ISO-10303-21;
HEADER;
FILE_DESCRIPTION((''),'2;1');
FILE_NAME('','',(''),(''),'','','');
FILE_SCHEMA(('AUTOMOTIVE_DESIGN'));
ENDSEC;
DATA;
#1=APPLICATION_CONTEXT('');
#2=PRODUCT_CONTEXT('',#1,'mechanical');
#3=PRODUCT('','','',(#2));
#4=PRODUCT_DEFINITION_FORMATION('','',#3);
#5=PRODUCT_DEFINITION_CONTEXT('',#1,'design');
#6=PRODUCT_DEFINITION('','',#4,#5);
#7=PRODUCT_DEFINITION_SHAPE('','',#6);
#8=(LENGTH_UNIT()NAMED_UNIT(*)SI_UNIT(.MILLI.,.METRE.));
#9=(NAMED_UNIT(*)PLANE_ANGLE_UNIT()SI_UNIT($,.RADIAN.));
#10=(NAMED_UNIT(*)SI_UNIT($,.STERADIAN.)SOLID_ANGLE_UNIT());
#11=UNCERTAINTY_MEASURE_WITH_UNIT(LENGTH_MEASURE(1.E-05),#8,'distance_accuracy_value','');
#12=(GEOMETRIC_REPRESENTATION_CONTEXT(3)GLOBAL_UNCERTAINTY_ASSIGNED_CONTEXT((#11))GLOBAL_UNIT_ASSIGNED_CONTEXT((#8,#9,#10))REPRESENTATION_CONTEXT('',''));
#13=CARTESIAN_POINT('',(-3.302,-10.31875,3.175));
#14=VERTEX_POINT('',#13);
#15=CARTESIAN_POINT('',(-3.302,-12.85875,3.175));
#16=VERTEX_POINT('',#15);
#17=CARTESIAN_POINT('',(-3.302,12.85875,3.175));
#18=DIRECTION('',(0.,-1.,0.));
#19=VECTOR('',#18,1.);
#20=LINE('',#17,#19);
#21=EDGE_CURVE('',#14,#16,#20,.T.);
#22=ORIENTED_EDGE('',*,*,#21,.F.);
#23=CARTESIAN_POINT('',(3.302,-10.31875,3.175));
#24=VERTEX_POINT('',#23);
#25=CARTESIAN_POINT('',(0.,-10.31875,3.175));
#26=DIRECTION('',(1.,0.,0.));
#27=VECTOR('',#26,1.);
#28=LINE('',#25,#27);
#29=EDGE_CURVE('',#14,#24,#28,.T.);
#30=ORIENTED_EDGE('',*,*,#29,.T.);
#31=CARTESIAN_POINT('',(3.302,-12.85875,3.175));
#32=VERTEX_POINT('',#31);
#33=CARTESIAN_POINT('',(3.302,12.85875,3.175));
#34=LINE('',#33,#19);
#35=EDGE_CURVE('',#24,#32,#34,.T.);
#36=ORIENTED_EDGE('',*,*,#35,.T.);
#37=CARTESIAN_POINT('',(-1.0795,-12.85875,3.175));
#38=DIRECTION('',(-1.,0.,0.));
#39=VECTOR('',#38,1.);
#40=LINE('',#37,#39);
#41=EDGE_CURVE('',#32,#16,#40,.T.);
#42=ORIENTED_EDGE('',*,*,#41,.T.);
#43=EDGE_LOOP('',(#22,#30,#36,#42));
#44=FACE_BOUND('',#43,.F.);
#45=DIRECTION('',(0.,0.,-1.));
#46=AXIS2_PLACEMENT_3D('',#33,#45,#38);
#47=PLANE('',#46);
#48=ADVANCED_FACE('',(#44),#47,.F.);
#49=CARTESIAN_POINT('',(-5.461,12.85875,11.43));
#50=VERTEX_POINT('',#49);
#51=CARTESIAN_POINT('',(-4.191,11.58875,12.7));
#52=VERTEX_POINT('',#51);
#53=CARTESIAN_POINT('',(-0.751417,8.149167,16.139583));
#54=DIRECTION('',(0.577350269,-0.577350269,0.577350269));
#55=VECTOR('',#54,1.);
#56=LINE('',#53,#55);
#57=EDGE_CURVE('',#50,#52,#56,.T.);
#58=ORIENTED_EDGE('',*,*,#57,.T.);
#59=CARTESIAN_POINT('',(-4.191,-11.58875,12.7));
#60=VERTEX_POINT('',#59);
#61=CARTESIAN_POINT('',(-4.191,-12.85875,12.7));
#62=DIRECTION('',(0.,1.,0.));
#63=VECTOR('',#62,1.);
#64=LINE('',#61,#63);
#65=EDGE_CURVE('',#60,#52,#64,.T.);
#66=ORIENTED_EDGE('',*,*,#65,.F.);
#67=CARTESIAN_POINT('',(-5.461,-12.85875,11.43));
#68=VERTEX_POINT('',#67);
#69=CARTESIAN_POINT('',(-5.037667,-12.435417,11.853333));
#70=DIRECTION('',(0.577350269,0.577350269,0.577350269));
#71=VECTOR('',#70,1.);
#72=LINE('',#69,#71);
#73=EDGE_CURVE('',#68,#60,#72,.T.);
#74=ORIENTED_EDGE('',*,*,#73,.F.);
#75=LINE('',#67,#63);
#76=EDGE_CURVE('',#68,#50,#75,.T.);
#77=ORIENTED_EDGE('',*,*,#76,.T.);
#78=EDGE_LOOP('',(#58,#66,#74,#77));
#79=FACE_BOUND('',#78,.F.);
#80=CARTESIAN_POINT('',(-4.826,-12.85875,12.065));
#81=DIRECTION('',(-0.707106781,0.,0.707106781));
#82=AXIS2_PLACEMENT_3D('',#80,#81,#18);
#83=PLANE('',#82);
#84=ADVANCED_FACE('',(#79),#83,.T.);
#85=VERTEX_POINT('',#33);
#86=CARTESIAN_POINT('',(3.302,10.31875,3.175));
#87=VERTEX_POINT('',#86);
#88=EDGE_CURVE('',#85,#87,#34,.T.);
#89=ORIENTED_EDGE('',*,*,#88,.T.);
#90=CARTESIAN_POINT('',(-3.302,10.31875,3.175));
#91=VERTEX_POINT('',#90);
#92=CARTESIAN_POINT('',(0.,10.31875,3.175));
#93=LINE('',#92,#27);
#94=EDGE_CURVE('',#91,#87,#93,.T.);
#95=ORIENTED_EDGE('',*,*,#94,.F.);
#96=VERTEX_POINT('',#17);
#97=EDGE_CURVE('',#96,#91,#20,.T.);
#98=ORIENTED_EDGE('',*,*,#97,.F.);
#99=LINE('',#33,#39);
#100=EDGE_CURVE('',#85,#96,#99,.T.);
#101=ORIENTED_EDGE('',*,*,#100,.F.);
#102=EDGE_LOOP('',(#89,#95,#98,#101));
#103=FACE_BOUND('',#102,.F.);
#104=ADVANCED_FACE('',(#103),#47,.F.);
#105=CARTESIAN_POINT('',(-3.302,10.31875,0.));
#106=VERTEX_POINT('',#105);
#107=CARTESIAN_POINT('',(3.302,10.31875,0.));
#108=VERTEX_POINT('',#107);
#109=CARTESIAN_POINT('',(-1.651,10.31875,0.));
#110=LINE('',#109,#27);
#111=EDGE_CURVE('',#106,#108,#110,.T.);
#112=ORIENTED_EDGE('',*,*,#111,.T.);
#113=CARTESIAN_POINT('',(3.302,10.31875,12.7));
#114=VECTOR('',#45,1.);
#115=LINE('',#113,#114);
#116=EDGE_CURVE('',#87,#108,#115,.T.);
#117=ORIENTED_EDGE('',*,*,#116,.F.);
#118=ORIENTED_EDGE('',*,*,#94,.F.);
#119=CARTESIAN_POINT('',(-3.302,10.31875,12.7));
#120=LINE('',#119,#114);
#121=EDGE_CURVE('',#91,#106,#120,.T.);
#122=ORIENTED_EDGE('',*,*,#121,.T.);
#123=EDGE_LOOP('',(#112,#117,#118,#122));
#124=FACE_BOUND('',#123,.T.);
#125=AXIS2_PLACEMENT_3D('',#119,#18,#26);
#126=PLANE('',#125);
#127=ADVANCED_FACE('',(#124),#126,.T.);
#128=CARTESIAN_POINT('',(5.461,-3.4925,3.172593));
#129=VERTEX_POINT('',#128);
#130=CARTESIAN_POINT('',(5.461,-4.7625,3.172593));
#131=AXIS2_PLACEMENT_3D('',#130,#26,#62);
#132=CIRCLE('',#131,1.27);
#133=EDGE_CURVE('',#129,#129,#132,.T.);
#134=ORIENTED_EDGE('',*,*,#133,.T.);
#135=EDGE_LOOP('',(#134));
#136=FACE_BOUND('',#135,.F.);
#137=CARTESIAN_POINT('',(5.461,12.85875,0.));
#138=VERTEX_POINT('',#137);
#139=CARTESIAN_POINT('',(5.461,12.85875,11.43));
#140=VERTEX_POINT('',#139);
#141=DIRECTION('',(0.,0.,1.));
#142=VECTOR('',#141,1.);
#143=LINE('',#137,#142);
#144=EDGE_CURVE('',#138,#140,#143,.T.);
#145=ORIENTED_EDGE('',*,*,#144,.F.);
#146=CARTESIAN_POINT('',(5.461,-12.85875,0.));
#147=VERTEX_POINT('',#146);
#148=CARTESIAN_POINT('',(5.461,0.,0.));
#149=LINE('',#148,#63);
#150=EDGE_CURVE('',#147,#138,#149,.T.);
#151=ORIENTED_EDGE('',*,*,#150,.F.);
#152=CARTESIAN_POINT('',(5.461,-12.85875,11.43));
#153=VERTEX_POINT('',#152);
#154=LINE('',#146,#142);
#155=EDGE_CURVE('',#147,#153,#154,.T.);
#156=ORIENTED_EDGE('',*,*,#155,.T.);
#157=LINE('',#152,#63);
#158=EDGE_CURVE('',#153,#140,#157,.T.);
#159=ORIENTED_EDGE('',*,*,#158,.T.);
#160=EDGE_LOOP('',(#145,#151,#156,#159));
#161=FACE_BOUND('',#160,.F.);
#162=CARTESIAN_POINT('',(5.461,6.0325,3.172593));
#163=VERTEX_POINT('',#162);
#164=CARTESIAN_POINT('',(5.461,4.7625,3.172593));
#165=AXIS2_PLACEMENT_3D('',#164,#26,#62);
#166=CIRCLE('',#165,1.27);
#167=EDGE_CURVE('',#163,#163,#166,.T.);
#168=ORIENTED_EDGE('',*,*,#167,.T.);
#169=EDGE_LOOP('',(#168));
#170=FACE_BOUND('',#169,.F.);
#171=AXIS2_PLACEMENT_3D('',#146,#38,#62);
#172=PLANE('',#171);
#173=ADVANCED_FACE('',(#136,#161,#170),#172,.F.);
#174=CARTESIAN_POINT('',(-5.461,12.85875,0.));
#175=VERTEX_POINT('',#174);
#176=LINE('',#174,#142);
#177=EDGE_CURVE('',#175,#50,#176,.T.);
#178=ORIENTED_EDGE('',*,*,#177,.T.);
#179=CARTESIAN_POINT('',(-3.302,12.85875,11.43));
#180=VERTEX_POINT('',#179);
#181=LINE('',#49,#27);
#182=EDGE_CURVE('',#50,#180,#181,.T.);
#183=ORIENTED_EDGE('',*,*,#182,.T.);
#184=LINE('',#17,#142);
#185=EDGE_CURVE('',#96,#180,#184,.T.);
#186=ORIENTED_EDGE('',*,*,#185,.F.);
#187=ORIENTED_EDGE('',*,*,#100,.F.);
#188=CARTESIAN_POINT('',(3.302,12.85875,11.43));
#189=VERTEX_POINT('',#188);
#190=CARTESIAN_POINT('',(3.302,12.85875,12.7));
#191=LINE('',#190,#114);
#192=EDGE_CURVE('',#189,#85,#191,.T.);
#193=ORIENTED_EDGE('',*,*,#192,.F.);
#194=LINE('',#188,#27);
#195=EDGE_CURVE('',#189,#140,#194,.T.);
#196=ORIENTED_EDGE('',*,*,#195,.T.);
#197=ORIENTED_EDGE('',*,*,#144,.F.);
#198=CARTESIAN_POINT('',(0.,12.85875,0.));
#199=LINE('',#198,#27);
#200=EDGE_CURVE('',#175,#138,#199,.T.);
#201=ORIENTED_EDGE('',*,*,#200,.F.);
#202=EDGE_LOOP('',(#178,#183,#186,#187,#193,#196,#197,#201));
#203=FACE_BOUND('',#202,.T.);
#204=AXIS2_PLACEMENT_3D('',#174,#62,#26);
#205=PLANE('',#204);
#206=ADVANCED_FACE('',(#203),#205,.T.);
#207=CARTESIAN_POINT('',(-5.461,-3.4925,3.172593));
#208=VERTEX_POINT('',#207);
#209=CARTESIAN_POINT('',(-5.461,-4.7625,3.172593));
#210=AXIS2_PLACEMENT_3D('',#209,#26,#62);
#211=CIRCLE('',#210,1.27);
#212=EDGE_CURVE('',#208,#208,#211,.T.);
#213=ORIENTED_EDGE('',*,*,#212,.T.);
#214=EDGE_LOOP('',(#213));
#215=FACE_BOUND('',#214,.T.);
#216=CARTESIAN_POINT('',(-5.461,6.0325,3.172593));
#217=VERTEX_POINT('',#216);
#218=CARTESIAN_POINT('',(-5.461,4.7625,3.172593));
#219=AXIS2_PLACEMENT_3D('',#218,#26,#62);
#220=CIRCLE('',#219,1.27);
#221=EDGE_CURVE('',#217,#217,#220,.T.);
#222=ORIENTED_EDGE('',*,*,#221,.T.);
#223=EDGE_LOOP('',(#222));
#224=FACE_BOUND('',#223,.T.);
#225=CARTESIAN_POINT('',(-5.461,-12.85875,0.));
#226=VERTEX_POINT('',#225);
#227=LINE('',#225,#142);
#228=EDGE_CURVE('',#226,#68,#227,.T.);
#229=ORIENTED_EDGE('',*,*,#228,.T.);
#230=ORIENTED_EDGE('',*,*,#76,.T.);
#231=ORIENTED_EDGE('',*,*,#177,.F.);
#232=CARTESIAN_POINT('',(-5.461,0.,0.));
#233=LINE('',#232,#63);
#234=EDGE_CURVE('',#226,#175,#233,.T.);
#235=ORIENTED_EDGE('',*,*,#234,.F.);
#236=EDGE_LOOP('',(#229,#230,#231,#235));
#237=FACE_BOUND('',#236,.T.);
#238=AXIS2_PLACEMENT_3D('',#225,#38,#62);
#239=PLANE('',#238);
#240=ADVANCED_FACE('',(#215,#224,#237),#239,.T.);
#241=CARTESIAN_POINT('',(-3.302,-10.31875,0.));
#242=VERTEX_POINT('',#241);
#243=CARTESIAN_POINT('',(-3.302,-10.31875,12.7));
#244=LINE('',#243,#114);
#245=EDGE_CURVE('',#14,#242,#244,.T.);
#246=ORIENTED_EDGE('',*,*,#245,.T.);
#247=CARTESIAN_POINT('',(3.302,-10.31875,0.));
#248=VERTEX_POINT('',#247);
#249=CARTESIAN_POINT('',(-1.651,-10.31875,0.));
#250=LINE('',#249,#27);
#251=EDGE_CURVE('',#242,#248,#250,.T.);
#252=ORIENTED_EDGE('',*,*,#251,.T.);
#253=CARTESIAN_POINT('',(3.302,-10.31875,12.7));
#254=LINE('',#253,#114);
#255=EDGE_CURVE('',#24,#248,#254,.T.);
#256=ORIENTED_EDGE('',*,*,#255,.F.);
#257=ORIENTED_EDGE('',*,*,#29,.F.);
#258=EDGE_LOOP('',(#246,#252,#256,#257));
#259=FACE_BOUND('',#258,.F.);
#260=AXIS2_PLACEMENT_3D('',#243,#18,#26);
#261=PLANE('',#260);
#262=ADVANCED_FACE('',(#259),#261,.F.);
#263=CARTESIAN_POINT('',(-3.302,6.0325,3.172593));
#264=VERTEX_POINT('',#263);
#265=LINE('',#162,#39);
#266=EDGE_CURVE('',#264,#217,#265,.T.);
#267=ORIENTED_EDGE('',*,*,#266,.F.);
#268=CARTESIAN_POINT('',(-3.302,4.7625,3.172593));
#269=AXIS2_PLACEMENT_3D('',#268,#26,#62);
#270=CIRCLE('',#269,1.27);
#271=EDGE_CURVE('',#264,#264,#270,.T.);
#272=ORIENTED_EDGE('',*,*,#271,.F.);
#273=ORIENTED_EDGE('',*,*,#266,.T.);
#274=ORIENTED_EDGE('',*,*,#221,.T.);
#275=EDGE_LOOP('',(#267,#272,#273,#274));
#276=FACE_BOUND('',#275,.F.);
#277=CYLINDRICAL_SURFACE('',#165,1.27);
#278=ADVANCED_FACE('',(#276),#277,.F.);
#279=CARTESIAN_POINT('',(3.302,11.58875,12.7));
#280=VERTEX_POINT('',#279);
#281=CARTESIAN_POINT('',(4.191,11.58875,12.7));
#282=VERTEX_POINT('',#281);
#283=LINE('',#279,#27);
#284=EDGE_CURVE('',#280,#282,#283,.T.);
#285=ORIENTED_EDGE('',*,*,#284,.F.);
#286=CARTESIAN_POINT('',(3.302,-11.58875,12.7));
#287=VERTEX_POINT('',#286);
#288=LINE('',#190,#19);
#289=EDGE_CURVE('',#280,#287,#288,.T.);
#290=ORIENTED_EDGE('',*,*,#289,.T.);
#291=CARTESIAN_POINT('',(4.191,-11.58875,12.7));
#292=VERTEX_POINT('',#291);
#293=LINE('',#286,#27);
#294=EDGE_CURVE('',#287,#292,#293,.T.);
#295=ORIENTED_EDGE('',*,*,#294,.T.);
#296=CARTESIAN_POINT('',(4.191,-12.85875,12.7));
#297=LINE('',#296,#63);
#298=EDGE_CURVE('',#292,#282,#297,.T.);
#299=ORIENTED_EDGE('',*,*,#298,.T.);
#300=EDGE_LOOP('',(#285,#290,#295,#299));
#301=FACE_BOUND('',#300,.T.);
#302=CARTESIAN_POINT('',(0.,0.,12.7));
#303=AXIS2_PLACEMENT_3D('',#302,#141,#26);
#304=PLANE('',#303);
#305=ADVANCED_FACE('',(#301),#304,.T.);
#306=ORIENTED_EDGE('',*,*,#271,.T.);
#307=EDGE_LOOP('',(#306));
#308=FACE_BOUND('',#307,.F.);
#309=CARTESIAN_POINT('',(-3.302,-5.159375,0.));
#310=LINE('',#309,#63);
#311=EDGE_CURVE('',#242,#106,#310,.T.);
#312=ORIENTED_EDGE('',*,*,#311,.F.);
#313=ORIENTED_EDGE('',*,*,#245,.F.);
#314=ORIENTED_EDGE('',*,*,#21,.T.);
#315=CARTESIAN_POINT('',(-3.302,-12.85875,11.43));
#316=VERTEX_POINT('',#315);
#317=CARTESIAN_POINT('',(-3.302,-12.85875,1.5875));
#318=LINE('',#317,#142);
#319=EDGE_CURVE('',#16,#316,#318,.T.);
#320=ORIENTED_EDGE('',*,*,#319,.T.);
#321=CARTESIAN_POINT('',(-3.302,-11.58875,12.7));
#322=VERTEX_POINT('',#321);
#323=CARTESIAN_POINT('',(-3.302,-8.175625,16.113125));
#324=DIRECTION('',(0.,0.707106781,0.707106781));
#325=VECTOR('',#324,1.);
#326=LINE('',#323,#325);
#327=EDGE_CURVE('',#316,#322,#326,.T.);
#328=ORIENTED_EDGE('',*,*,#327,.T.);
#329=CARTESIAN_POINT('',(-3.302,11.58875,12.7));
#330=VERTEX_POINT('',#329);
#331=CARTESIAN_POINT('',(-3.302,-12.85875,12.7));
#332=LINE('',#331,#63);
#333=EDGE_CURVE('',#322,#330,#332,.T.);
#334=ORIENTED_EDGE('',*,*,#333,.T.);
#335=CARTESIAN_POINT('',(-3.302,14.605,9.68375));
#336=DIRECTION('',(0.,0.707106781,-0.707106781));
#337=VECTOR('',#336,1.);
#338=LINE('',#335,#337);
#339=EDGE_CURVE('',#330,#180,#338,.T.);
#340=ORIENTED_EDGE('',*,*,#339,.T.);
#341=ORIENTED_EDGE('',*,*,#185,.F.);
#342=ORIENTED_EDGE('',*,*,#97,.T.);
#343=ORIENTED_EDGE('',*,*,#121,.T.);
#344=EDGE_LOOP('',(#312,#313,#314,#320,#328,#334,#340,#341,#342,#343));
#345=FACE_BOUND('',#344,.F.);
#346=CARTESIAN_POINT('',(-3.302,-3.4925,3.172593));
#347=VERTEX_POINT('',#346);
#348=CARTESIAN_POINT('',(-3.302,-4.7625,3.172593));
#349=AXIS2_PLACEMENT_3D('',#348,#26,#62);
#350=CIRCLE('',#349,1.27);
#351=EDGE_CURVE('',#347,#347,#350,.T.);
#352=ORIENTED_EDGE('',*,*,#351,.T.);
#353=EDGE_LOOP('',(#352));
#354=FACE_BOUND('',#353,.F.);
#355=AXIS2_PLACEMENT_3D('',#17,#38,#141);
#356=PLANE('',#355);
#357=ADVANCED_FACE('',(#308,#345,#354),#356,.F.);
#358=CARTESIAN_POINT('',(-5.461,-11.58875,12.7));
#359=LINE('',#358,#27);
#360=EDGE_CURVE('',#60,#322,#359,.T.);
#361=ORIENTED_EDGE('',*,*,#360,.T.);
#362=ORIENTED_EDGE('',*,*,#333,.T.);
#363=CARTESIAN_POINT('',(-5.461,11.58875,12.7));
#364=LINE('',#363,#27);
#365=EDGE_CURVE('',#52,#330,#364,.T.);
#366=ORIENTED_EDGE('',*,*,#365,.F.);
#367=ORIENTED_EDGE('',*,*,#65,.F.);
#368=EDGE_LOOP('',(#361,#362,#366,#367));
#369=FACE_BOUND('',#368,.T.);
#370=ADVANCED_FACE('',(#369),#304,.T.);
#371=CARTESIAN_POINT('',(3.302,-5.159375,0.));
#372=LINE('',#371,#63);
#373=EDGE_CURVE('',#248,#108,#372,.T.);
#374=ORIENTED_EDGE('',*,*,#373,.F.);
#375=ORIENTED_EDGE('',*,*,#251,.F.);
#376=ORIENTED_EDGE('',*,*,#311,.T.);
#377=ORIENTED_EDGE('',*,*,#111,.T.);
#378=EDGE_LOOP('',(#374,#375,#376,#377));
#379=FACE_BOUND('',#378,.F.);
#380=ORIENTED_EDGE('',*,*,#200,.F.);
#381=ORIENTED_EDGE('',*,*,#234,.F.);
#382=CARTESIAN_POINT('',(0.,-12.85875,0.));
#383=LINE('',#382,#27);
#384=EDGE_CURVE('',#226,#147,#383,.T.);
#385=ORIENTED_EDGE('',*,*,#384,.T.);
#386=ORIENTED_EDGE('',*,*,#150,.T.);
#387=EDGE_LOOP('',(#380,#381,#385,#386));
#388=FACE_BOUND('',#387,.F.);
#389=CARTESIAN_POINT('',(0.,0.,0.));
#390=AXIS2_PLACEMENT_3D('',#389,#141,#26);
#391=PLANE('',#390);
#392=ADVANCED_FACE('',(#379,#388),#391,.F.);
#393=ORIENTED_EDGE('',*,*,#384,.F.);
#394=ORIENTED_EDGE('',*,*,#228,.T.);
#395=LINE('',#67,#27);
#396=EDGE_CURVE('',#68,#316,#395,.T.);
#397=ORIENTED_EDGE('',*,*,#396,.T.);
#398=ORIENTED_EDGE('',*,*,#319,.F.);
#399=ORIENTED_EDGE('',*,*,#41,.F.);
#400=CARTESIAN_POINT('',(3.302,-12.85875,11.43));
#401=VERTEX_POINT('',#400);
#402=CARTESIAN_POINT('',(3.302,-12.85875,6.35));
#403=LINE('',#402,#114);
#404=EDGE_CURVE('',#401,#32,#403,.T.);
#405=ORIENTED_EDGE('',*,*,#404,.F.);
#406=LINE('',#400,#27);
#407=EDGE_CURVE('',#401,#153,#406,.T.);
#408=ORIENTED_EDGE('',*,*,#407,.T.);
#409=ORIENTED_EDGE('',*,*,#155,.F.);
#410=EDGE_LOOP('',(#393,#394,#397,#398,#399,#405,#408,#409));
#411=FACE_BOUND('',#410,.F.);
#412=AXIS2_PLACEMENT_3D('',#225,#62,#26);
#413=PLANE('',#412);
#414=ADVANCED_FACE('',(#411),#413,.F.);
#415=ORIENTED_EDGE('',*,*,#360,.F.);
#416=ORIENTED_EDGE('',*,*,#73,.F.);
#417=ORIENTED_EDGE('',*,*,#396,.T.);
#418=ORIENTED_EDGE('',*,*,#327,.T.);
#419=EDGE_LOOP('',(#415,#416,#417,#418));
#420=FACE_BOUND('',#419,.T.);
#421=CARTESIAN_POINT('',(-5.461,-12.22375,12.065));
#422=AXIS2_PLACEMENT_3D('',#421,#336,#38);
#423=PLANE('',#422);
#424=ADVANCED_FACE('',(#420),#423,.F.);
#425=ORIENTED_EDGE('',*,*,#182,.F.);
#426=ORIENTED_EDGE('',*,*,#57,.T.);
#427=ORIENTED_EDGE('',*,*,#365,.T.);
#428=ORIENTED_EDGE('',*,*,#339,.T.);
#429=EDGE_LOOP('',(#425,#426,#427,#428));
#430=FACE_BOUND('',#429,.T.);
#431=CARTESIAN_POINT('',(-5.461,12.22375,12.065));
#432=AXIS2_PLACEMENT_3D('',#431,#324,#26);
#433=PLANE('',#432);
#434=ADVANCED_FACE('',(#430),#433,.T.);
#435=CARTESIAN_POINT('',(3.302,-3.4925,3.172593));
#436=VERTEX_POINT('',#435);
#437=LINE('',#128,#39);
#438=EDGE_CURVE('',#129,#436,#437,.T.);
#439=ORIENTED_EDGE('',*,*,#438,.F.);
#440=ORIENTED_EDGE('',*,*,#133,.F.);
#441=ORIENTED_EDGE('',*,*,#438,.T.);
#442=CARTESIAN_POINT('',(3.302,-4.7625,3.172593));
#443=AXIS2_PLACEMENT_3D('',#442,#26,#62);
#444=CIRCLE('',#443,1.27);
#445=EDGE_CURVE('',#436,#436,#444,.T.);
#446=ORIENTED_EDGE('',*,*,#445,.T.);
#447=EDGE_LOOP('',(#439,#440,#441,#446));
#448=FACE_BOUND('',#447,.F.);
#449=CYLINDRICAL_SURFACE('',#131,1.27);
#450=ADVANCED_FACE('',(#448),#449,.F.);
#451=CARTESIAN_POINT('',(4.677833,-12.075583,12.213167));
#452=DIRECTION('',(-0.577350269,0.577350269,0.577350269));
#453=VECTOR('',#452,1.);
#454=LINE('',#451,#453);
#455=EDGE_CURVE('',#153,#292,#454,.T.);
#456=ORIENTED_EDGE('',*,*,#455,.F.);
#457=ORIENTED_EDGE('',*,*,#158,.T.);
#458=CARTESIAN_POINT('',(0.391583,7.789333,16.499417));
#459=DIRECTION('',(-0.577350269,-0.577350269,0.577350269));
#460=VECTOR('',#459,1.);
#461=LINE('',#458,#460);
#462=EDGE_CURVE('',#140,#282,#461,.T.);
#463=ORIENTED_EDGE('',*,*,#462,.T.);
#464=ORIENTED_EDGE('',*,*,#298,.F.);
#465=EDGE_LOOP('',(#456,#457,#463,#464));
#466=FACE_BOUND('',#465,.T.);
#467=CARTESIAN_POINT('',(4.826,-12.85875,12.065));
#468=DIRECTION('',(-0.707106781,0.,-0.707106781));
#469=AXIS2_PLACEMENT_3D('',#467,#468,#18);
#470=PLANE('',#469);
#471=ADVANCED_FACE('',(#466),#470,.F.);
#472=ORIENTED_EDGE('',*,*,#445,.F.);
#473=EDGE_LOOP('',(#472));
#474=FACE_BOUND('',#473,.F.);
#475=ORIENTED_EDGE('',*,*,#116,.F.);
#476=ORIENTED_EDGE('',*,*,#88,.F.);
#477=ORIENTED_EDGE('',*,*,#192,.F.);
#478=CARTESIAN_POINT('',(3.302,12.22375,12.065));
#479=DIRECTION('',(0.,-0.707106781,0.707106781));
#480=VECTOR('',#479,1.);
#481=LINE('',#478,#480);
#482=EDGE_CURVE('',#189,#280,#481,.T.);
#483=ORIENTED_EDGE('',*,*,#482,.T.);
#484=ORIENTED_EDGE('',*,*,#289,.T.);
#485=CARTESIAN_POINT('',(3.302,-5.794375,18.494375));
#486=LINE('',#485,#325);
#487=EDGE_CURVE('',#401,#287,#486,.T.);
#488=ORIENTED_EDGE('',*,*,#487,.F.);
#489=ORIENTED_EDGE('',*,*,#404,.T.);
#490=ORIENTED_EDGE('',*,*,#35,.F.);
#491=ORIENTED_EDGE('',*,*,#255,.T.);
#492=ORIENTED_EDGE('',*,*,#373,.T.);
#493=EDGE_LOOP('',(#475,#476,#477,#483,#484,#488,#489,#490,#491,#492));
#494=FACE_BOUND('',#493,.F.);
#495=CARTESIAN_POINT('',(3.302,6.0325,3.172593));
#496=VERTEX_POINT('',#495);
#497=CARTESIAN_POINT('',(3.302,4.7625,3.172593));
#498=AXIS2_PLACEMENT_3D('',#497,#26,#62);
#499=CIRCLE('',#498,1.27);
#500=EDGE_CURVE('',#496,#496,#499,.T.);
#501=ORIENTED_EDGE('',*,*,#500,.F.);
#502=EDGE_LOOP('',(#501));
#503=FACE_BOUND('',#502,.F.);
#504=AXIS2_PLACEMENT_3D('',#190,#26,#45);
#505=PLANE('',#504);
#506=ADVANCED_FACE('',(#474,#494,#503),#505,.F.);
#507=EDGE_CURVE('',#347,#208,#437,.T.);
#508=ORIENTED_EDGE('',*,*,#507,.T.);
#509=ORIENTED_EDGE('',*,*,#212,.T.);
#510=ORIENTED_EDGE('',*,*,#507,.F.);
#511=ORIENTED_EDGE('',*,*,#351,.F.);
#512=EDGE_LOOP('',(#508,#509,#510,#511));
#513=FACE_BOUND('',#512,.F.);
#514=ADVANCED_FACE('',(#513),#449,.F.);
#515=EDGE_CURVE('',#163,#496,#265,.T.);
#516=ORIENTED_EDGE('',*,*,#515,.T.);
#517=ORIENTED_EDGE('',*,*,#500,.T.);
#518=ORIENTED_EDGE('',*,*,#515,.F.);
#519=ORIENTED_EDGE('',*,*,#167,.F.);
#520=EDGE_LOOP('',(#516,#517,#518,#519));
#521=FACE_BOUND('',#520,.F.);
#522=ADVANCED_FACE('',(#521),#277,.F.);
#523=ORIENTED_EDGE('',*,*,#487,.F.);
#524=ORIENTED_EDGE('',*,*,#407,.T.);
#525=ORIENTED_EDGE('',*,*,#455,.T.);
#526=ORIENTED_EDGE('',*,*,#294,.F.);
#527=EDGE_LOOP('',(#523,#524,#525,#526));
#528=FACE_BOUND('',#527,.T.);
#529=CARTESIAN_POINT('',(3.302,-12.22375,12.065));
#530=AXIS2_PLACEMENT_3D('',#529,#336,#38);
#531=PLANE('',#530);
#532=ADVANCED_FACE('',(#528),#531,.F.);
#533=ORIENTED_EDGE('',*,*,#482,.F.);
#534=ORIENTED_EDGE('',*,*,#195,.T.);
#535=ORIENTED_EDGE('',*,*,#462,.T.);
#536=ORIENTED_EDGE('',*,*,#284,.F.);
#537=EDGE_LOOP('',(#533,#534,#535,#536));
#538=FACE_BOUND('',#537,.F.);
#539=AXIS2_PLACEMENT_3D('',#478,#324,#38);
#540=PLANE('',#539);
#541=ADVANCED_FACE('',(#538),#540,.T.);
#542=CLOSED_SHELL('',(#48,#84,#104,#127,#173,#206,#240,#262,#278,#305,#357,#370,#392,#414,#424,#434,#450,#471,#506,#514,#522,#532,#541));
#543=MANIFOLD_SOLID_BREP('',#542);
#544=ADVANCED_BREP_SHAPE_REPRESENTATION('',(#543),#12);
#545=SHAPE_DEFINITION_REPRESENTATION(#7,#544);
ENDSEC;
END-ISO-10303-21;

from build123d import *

# Parameters (mm, degrees)
F0_W     = 10.922
F0_H     = 25.7175
F1_DEPTH = 12.7
F2_W     = 6.604
F2_H     = 20.6375
F3_DEPTH = 25.4
F5_DEPTH = 32.18438
F6_R     = 1.27
F7_DEPTH = 25.4
F8_SIZE  = 1.27


with BuildPart() as f1:
    # F0 (on Top) → F1 (new body)
    with BuildSketch(Plane.XY):
        Rectangle(F0_W, F0_H)
    extrude(amount=F1_DEPTH)

    # F2 (on face) → F3 (cut)
    with BuildSketch(Plane.XY.offset(12.7)):
        Rectangle(F2_W, F2_H)
    extrude(amount=-F3_DEPTH, mode=Mode.SUBTRACT)

    # F4 (on face) → F5 (cut)
    with BuildSketch(Plane(origin=(0, 12.85875, 0), x_dir=(-1, 0, 0), z_dir=(0, 1, 0))):
        Polygon((0, 12.7), (-3.302, 12.7), (-3.302, 3.175), (3.302, 3.175), (3.302, 12.7), align=None)
    extrude(amount=-F5_DEPTH, mode=Mode.SUBTRACT)

    # F6 (on face) → F7 (cut)
    with BuildSketch(Plane.YZ.offset(5.461)):
        with Locations((-4.7625, 3.172593)):
            Circle(F6_R)
        with Locations((4.7625, 3.172593)):
            Circle(F6_R)
    extrude(amount=-F7_DEPTH, mode=Mode.SUBTRACT)

    # F8
    f8_edges = [f1.edges().sort_by_distance(p)[0] for p in [
        (-5.461, 0, 12.7),
        (5.461, 0, 12.7),
        (4.3815, 12.85875, 12.7),
        (-4.3815, 12.85875, 12.7),
        (4.3815, -12.85875, 12.7),
        (-4.3815, -12.85875, 12.7),
    ]]
    chamfer(f8_edges, length=F8_SIZE)


solid = f1.part
